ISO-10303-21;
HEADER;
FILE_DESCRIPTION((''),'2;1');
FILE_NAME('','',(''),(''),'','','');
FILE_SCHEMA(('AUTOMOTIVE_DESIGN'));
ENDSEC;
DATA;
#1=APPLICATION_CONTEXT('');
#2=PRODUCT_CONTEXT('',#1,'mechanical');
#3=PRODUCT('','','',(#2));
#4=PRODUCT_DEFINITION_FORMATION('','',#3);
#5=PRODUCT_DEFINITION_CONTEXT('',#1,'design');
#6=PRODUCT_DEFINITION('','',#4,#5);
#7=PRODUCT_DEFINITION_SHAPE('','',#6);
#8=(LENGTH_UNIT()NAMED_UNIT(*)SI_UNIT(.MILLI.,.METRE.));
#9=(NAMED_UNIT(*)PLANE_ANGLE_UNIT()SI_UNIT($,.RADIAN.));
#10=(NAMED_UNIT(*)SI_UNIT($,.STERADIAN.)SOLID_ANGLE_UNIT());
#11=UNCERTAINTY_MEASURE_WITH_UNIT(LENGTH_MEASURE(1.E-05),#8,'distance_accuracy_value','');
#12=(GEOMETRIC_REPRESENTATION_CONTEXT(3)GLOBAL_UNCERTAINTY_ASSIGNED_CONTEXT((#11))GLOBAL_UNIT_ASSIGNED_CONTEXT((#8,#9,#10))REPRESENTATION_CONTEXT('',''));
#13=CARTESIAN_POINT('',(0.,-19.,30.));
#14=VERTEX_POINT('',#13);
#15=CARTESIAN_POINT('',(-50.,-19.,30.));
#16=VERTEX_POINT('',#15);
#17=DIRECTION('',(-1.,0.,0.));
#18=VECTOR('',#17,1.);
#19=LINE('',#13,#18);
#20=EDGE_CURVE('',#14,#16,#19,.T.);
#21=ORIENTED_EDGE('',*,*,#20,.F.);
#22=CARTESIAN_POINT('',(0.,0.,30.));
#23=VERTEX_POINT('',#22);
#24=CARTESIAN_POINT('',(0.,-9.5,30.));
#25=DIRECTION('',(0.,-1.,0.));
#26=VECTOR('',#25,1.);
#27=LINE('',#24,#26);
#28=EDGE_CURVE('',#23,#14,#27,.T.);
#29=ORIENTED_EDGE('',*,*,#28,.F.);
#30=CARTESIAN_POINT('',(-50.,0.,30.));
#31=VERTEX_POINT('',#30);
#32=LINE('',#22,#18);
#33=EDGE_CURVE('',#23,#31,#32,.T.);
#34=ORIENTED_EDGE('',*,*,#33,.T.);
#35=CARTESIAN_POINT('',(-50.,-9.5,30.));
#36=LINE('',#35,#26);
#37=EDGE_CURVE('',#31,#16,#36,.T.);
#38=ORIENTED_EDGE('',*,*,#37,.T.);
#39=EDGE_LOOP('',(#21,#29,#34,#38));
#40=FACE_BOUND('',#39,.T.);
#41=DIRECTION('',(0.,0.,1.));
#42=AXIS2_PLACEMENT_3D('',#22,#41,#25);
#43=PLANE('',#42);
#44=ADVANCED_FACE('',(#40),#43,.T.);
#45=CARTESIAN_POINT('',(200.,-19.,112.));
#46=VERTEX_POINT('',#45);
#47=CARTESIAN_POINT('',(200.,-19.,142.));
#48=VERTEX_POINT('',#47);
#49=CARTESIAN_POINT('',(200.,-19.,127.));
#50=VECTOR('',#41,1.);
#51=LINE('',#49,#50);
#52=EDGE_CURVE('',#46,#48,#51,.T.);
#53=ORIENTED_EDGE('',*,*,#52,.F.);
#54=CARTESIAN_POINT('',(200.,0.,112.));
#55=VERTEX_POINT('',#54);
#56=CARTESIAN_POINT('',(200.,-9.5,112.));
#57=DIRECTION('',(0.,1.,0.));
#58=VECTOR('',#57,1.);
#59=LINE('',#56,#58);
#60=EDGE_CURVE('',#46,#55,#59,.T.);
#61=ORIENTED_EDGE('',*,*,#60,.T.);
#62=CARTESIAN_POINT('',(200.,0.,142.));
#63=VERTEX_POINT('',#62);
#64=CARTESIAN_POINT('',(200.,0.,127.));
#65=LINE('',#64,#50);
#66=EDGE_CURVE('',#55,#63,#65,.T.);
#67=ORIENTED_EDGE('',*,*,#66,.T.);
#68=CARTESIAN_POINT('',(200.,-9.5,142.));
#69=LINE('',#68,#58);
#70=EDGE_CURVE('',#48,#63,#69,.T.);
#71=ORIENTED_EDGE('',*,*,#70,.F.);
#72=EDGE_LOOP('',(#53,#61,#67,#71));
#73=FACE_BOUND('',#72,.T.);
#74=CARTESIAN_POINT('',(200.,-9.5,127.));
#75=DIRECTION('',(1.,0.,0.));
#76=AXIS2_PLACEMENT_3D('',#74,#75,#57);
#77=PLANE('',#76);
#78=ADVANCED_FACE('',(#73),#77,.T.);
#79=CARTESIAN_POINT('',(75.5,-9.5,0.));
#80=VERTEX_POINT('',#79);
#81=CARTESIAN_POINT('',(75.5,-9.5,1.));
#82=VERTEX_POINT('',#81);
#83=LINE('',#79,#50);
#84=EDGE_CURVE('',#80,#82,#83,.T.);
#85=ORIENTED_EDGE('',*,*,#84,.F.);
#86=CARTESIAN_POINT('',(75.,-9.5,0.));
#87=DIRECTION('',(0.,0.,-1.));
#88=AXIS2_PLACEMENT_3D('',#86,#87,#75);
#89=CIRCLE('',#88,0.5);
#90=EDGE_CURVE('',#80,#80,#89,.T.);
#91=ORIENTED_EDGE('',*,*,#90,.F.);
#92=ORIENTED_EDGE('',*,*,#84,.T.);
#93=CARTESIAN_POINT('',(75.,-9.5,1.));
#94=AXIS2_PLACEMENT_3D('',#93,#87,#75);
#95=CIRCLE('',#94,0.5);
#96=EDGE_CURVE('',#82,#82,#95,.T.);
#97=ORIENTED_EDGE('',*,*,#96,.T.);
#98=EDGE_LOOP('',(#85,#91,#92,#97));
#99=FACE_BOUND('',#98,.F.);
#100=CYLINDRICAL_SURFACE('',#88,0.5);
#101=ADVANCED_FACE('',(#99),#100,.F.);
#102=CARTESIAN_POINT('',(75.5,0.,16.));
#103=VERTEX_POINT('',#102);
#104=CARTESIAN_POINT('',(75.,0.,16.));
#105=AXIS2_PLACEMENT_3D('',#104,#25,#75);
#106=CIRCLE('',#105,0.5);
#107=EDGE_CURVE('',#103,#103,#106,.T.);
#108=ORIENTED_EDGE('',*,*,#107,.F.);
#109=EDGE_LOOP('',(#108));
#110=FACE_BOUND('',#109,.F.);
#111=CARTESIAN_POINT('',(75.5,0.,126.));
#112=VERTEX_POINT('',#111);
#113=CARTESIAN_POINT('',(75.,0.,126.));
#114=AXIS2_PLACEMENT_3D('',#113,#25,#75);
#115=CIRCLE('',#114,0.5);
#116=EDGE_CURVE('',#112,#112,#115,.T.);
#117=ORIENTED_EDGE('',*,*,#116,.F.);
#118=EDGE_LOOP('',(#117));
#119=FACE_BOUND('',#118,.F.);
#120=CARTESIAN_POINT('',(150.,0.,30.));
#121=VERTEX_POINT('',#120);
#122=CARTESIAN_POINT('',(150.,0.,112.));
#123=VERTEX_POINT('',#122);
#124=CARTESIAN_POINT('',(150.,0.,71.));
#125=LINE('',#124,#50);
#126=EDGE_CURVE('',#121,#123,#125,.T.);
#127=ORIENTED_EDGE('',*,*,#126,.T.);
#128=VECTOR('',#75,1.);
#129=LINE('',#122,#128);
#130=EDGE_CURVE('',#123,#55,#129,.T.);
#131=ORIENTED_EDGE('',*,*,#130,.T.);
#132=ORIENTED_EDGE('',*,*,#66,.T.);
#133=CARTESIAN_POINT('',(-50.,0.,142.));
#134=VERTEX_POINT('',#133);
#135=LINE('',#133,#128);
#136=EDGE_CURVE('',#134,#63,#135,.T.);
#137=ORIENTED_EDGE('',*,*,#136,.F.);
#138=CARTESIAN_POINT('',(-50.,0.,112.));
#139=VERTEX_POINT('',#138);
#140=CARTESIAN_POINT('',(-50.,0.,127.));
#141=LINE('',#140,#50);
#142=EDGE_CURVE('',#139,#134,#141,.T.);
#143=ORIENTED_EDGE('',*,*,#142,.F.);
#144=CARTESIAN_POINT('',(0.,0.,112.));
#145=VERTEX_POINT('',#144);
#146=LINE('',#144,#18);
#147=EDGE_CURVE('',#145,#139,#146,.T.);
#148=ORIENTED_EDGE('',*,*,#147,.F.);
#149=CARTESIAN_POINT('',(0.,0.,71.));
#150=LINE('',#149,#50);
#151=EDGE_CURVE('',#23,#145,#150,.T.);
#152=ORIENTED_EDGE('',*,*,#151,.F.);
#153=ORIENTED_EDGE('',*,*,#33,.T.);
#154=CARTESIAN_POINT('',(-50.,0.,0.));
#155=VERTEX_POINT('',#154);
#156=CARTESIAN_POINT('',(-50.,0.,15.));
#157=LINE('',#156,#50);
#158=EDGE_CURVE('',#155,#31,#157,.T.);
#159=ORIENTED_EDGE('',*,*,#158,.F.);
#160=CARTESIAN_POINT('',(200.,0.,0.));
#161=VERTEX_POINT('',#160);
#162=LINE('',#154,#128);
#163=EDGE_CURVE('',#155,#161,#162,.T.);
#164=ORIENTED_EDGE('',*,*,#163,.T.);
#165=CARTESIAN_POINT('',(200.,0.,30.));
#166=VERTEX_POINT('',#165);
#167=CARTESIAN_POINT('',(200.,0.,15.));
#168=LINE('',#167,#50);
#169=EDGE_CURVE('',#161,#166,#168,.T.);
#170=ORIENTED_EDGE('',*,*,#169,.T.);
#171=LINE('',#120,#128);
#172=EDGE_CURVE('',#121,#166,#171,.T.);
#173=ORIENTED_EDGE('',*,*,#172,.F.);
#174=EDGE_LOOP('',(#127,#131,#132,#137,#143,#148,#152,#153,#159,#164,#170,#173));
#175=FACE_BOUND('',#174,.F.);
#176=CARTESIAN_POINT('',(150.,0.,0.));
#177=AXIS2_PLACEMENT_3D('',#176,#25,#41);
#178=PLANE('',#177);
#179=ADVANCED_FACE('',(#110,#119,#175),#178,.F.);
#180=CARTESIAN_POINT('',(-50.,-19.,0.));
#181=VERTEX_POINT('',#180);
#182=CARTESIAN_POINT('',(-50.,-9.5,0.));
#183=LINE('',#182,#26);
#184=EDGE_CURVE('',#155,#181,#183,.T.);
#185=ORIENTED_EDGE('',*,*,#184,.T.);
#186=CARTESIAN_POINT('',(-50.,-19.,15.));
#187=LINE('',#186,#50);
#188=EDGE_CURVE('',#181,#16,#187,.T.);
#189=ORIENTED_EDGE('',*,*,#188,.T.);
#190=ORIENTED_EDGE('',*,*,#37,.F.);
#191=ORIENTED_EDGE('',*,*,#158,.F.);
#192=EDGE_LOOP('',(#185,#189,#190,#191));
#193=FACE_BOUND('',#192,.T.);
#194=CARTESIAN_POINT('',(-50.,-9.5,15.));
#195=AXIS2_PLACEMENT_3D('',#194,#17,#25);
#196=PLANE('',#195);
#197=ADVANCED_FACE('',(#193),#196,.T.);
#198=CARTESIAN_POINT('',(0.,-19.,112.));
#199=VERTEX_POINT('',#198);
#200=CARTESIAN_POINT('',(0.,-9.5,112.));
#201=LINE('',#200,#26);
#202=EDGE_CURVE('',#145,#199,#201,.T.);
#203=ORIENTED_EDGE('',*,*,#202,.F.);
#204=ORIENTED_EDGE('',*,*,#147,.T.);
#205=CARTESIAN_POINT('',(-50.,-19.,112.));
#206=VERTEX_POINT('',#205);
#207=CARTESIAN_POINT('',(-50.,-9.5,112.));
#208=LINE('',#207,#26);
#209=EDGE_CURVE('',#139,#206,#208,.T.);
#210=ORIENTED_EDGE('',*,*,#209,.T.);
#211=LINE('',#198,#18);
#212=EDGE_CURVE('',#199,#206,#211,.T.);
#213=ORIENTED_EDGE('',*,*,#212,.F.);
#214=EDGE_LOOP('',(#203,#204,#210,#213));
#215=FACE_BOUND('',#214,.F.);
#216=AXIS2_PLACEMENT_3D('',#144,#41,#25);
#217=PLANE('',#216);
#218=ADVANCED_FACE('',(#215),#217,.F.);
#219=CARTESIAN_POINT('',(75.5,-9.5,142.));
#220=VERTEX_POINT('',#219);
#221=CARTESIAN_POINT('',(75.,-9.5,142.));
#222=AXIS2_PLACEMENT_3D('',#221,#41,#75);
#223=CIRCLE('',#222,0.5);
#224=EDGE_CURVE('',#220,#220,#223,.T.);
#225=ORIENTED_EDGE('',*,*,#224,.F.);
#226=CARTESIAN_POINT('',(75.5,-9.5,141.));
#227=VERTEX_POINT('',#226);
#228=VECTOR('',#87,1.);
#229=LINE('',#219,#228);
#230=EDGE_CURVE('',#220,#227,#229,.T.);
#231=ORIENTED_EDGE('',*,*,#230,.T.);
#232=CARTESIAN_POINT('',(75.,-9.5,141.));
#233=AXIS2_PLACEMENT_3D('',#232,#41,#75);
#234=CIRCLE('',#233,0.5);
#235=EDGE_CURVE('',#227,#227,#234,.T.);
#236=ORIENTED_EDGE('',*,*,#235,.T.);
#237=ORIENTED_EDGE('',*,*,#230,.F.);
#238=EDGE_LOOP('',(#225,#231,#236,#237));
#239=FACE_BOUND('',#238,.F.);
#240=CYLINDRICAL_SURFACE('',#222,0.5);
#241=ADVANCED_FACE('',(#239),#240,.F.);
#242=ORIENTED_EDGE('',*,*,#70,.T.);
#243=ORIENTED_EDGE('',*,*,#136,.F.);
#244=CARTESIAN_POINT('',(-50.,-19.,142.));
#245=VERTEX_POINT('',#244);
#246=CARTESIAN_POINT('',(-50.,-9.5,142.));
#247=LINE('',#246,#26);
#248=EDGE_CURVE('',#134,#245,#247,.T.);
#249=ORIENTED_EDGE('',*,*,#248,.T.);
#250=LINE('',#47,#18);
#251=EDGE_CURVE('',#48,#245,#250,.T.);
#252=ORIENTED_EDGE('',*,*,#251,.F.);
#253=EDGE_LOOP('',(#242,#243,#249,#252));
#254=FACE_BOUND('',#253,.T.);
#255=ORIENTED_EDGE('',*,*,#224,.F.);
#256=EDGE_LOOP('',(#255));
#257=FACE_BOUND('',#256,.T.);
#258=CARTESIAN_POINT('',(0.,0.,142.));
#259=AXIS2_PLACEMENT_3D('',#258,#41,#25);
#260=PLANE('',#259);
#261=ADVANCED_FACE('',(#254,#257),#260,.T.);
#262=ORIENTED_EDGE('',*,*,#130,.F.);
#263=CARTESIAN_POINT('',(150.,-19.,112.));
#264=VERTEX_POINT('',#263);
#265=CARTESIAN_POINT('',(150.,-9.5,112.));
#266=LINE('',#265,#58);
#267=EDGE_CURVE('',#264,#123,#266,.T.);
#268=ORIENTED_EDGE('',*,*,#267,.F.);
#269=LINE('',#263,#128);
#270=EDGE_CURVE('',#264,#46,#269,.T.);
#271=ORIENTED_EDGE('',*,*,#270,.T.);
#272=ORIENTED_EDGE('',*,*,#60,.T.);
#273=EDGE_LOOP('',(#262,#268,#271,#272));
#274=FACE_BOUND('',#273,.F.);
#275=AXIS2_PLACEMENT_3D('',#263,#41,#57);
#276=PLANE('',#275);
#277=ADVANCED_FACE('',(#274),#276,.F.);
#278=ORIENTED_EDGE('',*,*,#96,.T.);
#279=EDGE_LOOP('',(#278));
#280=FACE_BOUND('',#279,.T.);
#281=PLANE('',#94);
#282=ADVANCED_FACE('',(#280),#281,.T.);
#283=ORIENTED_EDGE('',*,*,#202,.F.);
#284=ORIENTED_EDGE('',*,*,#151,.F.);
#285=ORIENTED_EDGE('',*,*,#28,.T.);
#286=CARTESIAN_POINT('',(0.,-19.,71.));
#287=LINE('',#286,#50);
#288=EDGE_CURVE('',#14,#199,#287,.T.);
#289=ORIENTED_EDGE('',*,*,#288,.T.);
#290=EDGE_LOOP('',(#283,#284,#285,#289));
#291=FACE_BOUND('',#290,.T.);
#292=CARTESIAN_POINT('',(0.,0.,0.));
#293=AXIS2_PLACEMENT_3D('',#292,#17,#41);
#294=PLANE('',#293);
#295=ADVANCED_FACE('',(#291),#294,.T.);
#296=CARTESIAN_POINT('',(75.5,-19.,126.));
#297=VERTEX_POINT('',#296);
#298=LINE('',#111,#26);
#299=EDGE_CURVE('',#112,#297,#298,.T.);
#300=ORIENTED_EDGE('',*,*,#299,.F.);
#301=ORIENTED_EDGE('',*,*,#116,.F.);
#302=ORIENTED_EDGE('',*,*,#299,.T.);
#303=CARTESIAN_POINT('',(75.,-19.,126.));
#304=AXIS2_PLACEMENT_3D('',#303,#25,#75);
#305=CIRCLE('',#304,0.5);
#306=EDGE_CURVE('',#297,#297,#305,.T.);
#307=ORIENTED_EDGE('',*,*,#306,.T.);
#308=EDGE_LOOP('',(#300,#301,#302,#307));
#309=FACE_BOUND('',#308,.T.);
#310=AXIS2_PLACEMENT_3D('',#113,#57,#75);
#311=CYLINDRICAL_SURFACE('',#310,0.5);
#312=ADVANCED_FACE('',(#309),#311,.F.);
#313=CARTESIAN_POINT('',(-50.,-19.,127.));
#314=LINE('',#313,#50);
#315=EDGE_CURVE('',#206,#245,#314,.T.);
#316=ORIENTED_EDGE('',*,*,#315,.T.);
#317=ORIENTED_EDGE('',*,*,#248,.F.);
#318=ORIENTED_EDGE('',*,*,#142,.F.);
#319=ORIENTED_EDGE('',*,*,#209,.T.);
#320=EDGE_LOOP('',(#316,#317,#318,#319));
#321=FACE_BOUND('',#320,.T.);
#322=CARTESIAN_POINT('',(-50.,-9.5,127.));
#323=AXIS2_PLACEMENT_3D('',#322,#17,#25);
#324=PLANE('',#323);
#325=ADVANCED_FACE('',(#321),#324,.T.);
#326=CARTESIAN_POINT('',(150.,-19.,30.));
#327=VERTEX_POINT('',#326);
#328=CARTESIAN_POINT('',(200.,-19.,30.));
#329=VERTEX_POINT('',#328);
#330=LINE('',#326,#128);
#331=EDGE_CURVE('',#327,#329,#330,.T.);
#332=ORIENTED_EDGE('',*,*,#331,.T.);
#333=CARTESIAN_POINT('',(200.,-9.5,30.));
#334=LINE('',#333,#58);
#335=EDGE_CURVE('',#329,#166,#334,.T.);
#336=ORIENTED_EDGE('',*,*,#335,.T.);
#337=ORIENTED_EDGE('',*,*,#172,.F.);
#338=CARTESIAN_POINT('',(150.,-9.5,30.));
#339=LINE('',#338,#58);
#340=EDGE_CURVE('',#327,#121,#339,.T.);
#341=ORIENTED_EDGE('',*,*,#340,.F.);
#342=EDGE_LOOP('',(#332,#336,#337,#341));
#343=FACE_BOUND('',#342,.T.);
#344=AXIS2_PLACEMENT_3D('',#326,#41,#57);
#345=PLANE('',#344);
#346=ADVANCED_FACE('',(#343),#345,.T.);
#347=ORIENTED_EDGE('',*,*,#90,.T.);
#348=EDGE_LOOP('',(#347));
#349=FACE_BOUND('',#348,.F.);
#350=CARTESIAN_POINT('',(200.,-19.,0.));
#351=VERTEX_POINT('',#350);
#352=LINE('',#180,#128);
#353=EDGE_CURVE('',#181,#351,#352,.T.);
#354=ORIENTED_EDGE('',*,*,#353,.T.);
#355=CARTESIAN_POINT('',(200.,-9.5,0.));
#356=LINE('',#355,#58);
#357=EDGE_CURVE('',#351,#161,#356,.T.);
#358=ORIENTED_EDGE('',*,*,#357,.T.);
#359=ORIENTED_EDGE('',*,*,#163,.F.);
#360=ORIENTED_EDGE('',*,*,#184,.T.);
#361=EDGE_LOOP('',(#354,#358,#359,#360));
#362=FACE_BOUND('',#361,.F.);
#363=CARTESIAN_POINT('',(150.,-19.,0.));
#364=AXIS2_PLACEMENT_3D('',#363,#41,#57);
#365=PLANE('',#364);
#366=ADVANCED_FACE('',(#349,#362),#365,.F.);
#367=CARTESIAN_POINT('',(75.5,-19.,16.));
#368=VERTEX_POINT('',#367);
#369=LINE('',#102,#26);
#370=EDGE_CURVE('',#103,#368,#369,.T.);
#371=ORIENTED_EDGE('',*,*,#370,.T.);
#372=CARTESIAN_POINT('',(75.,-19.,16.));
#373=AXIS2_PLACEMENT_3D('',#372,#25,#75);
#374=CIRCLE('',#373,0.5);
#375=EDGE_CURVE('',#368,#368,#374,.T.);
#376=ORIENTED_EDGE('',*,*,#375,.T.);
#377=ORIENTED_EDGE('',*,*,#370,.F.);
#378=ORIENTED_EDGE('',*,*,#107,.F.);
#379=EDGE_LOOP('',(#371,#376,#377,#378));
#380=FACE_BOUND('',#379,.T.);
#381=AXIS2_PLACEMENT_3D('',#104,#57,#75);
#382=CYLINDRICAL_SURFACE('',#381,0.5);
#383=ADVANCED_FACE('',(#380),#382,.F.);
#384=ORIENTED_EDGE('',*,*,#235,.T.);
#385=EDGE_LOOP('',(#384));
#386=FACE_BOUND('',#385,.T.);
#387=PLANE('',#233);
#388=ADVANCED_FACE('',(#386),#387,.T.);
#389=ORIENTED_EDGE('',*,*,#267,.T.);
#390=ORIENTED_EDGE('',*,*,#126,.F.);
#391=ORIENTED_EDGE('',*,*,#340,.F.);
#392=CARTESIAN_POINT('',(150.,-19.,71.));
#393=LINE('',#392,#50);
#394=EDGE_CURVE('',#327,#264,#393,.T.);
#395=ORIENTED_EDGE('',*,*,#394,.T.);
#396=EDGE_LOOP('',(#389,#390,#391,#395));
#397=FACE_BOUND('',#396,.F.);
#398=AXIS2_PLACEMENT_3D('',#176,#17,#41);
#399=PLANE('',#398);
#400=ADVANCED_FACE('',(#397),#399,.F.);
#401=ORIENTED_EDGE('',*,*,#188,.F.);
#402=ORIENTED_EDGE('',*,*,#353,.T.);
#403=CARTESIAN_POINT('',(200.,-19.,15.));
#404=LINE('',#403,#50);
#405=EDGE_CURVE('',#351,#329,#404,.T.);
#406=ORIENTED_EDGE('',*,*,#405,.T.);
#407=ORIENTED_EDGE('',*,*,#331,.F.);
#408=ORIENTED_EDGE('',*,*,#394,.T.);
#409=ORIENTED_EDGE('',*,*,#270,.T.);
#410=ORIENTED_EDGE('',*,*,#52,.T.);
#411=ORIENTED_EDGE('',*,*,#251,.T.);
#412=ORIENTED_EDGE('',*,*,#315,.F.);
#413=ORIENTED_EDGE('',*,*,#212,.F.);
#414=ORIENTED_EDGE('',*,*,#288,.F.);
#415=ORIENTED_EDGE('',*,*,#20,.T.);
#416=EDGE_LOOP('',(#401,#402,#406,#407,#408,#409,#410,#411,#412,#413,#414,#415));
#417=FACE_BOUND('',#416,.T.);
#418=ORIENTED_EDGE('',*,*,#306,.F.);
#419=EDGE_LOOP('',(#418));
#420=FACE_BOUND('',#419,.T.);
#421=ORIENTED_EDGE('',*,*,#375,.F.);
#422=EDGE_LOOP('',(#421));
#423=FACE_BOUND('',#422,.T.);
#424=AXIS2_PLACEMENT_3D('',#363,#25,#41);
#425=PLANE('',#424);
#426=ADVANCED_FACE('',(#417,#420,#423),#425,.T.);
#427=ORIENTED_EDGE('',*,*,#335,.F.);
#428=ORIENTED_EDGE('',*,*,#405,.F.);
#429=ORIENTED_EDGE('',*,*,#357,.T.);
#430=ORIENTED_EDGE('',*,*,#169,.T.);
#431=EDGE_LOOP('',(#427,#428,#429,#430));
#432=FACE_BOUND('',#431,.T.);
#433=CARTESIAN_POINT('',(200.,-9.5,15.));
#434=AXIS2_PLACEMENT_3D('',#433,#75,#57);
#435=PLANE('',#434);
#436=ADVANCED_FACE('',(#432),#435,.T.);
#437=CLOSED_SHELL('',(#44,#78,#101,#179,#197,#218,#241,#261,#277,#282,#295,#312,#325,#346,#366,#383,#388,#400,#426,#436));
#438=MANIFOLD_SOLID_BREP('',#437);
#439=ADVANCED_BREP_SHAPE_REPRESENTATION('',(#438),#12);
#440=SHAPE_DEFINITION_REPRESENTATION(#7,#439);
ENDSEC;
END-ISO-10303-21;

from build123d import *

# Parameters (mm, degrees)
F0_W     = 150
F0_H     = 142
F0_R     = 0.5
F1_DEPTH = 19
F2_R     = 0.5
F3_DEPTH = 1
F4_R     = 0.5
F5_DEPTH = 1
F6_W     = 19
F6_H     = 30
F7_DEPTH = 50
F8_W     = 19
F8_H     = 30
F9_DEPTH = 50


with BuildPart() as f1:
    # F0 (on Front) → F1 (new body)
    with BuildSketch(Plane.XZ):
        with Locations((75, 71)):
            Rectangle(F0_W, F0_H)
        with Locations((75, 16)):
            Circle(F0_R, mode=Mode.SUBTRACT)
        with Locations((75, 126)):
            Circle(F0_R, mode=Mode.SUBTRACT)
    extrude(amount=F1_DEPTH)

    # F2 (on face) → F3 (cut)
    with BuildSketch(Plane(origin=(0, 0, 0), x_dir=(1, 0, 0), z_dir=(0, 0, -1))):
        with Locations((75, 9.5)):
            Circle(F2_R)
    extrude(amount=-F3_DEPTH, mode=Mode.SUBTRACT)

    # F4 (on face) → F5 (cut)
    with BuildSketch(Plane.XY.offset(142)):
        with Locations((75, -9.5)):
            Circle(F4_R)
    extrude(amount=-F5_DEPTH, mode=Mode.SUBTRACT)

    # F6 (on face) → F7 (join)
    with BuildSketch(Plane(origin=(0, 0, 0), x_dir=(0, -1, 0), z_dir=(-1, 0, 0))):
        with Locations((9.5, 127)):
            Rectangle(F6_W, F6_H)
        with Locations((9.5, 15)):
            Rectangle(F6_W, F6_H)
    extrude(amount=F7_DEPTH)

    # F8 (on face) → F9 (join)
    with BuildSketch(Plane.YZ.offset(150)):
        with Locations((-9.5, 15)):
            Rectangle(F8_W, F8_H)
        with Locations((-9.5, 127)):
            Rectangle(F8_W, F8_H)
    extrude(amount=F9_DEPTH)


solid = f1.part
